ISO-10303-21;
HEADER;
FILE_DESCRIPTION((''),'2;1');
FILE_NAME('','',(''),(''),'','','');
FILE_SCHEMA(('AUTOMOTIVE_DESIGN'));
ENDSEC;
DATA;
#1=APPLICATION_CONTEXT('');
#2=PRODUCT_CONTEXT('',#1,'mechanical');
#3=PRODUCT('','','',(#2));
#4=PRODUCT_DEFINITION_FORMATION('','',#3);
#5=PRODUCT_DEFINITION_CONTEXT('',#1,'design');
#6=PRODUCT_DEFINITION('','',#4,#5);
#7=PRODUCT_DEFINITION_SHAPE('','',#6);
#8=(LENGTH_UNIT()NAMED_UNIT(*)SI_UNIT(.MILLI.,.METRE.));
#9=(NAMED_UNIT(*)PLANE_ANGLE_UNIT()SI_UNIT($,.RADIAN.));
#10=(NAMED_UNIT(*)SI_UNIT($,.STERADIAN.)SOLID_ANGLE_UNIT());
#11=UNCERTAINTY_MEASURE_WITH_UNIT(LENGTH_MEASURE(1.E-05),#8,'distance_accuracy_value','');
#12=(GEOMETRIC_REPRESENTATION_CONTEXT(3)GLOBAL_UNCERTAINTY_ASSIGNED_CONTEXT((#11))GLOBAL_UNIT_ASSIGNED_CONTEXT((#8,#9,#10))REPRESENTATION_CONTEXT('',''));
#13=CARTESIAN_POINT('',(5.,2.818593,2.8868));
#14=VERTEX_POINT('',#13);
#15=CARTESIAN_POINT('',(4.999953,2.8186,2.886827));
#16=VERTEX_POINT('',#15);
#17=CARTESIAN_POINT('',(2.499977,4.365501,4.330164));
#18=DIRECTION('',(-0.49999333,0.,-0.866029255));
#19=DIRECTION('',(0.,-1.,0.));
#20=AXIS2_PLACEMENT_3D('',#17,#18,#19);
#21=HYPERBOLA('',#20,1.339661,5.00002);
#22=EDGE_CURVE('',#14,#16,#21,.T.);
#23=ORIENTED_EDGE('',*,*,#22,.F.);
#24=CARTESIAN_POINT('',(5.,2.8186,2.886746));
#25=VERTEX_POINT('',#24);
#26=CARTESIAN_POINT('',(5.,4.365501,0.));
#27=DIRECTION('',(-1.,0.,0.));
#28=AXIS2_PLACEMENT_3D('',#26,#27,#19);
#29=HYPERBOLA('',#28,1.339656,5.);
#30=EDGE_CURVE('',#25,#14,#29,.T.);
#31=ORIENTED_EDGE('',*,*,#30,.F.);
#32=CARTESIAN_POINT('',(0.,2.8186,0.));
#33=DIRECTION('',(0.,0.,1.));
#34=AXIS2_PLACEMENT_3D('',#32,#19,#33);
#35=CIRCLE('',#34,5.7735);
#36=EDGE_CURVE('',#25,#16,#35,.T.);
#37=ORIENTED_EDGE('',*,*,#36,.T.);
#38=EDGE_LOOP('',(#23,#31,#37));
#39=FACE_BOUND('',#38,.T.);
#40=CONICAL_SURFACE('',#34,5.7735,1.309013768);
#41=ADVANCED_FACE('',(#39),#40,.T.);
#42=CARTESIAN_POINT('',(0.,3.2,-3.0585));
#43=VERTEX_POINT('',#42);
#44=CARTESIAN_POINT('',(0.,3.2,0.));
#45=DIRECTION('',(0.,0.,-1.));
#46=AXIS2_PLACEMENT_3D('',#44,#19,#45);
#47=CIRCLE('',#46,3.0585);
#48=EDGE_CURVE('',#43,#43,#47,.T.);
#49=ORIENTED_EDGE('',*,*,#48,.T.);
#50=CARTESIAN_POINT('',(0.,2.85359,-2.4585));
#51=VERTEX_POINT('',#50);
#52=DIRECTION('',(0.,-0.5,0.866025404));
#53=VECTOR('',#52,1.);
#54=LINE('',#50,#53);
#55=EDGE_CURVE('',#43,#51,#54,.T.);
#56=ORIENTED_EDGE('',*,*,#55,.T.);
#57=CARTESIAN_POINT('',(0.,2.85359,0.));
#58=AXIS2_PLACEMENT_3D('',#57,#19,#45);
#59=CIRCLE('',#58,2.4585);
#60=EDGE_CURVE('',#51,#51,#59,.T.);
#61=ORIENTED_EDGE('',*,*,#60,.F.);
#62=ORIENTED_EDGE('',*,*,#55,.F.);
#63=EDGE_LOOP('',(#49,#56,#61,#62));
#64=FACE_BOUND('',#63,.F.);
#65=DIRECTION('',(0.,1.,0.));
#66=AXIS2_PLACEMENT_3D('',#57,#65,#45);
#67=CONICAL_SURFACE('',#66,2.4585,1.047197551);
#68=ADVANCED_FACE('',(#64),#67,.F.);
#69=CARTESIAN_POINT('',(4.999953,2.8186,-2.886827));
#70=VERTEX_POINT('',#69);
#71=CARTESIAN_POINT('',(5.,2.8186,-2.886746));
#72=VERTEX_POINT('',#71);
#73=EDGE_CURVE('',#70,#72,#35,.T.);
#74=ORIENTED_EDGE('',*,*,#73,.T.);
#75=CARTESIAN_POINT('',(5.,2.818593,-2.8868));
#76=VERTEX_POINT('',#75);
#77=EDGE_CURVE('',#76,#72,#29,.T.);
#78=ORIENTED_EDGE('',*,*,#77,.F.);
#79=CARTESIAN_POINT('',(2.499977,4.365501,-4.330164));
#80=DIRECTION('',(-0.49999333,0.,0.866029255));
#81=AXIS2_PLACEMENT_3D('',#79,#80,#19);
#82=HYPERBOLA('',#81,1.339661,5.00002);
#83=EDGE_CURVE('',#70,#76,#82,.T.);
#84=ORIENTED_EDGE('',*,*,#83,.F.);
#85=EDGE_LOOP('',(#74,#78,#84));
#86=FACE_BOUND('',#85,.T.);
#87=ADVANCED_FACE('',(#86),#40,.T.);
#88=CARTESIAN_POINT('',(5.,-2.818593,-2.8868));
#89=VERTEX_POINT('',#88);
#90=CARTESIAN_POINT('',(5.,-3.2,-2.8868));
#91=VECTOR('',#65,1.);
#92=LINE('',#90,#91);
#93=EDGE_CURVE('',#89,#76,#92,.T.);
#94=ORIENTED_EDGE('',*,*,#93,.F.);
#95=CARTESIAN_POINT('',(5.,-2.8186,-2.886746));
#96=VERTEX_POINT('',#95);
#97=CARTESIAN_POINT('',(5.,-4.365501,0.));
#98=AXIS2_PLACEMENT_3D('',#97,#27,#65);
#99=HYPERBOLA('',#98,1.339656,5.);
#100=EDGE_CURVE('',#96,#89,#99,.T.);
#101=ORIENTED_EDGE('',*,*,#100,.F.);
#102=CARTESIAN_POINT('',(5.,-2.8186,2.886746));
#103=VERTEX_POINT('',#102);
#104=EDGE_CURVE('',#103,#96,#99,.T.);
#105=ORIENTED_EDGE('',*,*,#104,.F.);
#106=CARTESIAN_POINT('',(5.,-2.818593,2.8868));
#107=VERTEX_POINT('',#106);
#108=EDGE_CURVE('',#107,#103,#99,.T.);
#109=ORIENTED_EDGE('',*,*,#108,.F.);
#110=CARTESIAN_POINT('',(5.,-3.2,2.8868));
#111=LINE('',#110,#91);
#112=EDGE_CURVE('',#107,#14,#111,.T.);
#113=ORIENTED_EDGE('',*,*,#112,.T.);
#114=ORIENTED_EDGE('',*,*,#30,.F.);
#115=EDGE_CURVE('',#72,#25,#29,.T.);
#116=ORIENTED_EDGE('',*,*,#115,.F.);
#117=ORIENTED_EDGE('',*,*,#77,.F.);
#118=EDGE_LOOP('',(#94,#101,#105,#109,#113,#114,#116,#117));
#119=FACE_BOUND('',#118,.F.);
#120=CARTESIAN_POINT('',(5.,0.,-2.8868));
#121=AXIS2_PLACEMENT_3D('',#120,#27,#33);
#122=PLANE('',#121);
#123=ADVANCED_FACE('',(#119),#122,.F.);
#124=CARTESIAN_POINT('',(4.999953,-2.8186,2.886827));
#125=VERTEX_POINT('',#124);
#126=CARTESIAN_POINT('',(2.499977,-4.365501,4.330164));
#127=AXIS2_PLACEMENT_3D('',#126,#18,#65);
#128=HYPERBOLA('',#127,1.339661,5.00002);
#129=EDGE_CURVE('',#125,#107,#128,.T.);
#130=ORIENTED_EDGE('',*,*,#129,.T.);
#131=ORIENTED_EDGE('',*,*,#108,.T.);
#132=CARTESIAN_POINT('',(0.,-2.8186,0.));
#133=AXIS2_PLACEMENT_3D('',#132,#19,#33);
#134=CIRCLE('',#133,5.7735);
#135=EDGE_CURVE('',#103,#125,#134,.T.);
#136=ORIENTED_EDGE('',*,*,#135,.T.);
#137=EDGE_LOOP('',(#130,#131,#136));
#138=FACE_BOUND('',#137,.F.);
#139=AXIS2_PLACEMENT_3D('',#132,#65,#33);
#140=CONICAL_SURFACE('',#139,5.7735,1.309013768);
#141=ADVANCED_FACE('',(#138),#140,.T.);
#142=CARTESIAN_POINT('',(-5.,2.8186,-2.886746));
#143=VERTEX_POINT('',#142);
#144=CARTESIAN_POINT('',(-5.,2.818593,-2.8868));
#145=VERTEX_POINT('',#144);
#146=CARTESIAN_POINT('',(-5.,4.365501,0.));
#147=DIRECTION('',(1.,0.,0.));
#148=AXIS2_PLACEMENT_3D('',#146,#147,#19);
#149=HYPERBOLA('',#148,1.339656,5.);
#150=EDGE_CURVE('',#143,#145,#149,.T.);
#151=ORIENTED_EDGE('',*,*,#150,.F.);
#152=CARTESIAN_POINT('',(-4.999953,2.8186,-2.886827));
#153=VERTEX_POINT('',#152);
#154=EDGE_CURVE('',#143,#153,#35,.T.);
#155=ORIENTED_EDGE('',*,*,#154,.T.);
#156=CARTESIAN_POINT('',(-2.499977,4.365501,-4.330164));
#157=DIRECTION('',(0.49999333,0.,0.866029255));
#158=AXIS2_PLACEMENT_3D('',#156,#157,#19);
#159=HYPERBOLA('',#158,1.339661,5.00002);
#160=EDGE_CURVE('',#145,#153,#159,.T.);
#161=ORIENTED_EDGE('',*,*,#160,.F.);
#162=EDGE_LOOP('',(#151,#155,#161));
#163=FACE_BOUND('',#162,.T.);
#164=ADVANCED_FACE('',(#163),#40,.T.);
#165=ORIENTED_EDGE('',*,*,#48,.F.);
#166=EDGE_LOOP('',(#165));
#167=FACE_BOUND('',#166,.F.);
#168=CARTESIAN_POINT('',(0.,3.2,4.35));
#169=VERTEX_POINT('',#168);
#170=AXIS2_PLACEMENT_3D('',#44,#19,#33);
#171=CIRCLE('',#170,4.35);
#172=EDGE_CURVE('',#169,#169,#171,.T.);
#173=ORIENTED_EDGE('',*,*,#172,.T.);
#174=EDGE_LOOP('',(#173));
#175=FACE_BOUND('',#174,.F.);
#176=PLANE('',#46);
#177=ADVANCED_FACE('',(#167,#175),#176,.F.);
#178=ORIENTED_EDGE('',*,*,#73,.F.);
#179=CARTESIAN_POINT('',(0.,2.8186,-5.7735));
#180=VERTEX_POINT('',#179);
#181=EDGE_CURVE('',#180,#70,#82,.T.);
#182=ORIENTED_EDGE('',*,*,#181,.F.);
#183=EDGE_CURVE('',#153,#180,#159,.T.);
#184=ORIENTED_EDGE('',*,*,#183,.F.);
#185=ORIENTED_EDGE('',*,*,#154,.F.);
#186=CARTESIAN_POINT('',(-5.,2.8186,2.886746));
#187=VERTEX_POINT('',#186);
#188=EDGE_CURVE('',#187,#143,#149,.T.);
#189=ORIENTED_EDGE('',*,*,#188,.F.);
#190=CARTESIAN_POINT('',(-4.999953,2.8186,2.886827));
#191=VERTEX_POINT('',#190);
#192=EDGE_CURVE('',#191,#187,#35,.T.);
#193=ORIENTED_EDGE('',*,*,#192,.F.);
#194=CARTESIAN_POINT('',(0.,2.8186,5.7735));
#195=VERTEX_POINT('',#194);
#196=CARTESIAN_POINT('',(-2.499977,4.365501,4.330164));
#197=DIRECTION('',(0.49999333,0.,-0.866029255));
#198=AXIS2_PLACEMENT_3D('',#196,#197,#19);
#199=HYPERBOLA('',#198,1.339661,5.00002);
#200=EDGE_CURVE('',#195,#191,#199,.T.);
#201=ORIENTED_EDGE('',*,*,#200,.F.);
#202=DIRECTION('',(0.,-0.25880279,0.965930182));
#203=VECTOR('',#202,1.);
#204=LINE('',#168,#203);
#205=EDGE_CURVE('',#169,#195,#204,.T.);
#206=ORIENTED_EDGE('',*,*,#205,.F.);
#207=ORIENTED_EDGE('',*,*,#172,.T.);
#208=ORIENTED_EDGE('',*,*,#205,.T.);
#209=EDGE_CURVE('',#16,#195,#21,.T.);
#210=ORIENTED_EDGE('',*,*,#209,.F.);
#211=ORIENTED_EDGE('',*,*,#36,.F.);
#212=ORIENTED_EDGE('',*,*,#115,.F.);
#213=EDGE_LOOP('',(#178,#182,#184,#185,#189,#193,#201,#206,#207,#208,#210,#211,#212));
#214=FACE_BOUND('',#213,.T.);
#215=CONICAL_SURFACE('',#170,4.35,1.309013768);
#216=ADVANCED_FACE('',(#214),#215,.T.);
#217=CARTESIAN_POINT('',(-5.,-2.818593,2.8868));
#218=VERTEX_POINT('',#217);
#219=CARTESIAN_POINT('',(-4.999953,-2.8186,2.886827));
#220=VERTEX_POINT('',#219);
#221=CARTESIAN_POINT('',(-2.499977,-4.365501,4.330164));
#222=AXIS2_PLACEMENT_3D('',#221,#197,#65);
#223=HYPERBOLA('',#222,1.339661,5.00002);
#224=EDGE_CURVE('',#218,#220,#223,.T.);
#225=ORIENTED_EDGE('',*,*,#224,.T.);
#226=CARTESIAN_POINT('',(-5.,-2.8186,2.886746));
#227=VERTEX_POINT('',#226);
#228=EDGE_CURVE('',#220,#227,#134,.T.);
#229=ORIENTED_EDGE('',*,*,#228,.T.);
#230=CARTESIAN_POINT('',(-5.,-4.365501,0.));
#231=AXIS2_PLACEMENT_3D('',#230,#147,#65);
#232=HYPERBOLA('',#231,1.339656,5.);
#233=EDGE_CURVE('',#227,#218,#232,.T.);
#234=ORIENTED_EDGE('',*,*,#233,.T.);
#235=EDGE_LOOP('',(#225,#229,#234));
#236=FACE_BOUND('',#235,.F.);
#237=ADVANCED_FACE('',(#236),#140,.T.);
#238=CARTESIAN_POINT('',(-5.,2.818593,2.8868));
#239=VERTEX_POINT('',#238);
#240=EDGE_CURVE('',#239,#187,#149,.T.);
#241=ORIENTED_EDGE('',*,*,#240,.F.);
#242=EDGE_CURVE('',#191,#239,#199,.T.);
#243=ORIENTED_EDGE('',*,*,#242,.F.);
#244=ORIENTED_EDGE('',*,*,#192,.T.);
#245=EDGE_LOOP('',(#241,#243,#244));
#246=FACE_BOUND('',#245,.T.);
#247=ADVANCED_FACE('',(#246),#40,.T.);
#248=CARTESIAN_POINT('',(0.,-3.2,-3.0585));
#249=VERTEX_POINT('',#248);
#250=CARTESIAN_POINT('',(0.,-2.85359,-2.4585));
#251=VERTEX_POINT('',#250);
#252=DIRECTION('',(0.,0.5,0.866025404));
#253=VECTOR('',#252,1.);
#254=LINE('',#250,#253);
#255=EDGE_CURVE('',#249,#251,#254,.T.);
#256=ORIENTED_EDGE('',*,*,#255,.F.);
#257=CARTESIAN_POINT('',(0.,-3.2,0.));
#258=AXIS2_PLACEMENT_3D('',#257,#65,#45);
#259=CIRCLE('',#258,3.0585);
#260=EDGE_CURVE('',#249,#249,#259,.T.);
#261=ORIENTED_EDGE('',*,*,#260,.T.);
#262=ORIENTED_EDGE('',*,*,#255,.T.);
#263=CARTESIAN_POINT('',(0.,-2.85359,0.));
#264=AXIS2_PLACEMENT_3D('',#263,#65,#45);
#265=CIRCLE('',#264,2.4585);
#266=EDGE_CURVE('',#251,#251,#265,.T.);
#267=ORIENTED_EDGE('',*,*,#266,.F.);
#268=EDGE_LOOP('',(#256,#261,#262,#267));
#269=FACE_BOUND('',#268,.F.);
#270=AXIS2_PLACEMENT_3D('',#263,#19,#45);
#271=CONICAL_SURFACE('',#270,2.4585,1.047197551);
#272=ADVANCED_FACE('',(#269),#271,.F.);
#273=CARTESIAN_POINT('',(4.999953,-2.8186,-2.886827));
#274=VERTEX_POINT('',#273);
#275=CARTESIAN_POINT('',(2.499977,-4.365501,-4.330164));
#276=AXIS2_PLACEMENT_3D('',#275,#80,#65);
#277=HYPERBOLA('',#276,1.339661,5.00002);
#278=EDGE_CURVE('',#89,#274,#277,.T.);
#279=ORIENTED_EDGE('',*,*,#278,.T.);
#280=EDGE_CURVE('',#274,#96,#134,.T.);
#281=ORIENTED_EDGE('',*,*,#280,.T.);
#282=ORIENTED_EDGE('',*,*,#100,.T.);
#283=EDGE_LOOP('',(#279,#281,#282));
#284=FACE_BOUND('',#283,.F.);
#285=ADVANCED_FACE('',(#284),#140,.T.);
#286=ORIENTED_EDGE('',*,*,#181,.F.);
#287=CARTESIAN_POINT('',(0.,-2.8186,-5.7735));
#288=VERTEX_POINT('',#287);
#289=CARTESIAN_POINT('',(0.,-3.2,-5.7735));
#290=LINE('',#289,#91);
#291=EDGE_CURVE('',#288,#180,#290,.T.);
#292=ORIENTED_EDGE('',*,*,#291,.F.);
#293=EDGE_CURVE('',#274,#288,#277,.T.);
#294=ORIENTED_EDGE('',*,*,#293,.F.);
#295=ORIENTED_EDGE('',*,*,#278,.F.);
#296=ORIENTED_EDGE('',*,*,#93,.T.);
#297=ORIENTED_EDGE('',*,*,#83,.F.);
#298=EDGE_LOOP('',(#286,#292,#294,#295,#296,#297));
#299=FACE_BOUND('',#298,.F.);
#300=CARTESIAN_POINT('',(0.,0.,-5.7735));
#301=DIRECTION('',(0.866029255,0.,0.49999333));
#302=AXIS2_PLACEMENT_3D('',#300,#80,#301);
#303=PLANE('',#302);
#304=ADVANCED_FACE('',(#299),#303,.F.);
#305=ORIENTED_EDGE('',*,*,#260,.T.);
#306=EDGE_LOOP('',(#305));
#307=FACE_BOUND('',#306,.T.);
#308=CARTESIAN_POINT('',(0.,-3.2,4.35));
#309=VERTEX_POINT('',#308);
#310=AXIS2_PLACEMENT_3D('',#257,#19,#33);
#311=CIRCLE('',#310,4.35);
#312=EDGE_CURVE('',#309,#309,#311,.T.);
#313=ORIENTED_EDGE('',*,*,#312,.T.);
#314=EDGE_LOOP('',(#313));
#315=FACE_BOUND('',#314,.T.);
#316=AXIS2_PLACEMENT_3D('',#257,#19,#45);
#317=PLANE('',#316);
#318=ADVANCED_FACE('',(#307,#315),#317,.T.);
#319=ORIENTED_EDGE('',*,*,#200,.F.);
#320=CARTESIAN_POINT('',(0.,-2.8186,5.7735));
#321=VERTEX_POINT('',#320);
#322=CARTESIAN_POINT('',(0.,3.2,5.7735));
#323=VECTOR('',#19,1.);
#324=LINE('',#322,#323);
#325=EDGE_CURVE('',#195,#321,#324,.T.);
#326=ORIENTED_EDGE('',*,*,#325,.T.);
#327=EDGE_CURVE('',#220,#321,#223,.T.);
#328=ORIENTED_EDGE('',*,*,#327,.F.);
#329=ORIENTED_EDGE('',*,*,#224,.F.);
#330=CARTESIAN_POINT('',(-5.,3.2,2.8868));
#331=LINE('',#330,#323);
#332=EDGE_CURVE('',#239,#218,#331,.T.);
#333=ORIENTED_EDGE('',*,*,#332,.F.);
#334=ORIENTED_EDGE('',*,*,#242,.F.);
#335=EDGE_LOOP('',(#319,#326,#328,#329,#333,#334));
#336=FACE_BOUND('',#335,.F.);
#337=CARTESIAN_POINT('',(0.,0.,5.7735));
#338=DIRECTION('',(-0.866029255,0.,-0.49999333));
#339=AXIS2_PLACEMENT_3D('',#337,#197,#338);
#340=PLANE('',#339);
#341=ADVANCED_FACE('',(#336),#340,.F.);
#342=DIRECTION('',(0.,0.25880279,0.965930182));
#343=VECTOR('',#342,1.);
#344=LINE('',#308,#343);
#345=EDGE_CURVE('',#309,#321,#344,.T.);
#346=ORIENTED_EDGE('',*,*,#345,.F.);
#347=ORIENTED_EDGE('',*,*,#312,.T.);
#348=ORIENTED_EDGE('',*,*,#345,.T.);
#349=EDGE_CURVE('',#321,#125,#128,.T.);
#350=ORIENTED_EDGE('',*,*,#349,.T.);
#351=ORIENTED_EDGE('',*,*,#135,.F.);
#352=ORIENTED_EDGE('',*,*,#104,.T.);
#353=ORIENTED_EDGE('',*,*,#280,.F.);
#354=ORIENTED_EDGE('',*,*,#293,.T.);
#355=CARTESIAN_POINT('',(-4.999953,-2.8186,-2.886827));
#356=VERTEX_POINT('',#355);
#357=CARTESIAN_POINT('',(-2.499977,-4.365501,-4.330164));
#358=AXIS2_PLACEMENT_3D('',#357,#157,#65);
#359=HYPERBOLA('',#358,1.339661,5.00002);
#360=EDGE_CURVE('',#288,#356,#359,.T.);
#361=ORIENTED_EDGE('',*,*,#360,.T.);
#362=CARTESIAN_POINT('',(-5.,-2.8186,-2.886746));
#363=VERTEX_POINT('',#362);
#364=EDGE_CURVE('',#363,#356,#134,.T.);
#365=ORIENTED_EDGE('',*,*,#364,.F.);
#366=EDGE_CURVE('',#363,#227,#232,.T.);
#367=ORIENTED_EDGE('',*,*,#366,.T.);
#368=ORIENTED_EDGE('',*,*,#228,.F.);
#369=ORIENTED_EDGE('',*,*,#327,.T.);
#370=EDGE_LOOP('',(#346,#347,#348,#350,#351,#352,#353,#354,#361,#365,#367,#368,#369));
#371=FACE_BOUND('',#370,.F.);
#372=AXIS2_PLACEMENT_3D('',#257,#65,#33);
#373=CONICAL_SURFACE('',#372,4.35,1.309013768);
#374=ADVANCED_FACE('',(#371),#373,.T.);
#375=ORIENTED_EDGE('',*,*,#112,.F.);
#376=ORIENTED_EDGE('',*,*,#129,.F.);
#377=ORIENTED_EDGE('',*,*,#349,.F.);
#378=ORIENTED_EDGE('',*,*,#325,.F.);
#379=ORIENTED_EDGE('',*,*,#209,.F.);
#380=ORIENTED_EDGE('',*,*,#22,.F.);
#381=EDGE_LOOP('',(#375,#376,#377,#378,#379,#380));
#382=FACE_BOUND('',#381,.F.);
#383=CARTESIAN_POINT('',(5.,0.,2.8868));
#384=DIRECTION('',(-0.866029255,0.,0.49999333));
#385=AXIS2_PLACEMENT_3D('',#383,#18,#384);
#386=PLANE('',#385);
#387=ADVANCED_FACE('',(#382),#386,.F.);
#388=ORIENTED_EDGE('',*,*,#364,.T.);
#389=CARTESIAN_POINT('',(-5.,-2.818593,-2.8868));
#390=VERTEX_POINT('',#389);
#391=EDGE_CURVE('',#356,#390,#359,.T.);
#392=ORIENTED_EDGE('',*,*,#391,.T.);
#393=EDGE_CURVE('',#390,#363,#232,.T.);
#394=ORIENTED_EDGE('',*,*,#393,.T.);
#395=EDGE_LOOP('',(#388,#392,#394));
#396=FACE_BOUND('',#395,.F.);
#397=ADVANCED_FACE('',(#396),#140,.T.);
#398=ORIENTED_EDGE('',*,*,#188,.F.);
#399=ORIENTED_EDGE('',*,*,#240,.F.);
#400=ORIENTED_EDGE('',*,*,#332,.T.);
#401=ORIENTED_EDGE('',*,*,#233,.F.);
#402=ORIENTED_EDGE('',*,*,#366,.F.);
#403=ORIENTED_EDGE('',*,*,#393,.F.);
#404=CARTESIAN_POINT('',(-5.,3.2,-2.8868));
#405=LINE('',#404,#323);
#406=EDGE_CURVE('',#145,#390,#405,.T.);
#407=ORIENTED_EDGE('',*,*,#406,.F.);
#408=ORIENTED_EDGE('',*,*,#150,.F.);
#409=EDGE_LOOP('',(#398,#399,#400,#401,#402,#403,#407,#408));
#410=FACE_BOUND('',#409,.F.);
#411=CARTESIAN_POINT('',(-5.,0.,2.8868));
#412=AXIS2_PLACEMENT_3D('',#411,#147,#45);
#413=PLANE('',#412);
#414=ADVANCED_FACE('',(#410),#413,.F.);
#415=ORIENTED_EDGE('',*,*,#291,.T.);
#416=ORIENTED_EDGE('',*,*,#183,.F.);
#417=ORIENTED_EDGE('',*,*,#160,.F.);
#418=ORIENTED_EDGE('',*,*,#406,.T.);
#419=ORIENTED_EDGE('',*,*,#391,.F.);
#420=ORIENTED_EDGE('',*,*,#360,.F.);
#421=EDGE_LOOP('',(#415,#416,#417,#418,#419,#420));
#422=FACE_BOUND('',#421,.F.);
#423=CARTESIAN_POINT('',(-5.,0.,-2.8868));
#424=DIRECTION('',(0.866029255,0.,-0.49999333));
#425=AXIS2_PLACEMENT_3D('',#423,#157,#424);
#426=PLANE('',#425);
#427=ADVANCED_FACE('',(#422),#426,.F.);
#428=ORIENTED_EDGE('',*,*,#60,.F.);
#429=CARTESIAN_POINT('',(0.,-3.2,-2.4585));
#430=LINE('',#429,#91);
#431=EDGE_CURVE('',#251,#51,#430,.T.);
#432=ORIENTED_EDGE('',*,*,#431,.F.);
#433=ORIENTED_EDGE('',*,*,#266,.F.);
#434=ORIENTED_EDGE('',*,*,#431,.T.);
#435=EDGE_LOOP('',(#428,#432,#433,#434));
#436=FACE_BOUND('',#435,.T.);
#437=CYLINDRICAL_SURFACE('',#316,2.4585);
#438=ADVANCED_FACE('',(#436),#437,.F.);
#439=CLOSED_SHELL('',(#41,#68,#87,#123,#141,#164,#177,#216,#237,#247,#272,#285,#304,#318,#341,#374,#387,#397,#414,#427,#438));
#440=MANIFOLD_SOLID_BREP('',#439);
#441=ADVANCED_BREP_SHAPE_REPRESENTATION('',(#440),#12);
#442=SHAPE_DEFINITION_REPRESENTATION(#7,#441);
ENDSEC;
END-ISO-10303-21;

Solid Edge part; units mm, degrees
sketch "Sketch1" plane through (0, 0, 0) normal (0, -1, 0) x (1, 0, 0)
  line L0 (5, 2.8868) -> (0, 5.7735)
  line L1 (0, 5.7735) -> (-5, 2.8868)
  line L2 (-5, 2.8868) -> (-5, -2.8868)
  line L3 (-5, -2.8868) -> (0, -5.7735)
  line L4 (0, -5.7735) -> (5, -2.8868)
  line L5 (5, -2.8868) -> (5, 2.8868)
extrude "Protrusion1" add sketch "Sketch1" along normal mid plane 6.4
sketch "Sketch2" plane through (0, 0, 0) normal (1, 0, 0) x (0, 1, 0)
  line L0 (-3.2, 4.35) -> (-2.8186, 5.7735)
revolve "RevolvedCutout1" cut sketch "Sketch2" angle 360 about axis through (0, 0, 0) along (0, -1, 0) material side at (0, -3.0576, 5.0747)
mirror "Mirror1" about plane through (0, 0, 0) normal (0, -1, 0) of "RevolvedCutout1"
hole "孔_7" at (0, -3.2, 0) direction (0, 1, 0) diameter 4.917 end up to next start chamfer 0.6 start chamfer angle 60 end chamfer 0.6 end chamfer angle 60
properties part number "N2611-2312" material "铝 1060"
